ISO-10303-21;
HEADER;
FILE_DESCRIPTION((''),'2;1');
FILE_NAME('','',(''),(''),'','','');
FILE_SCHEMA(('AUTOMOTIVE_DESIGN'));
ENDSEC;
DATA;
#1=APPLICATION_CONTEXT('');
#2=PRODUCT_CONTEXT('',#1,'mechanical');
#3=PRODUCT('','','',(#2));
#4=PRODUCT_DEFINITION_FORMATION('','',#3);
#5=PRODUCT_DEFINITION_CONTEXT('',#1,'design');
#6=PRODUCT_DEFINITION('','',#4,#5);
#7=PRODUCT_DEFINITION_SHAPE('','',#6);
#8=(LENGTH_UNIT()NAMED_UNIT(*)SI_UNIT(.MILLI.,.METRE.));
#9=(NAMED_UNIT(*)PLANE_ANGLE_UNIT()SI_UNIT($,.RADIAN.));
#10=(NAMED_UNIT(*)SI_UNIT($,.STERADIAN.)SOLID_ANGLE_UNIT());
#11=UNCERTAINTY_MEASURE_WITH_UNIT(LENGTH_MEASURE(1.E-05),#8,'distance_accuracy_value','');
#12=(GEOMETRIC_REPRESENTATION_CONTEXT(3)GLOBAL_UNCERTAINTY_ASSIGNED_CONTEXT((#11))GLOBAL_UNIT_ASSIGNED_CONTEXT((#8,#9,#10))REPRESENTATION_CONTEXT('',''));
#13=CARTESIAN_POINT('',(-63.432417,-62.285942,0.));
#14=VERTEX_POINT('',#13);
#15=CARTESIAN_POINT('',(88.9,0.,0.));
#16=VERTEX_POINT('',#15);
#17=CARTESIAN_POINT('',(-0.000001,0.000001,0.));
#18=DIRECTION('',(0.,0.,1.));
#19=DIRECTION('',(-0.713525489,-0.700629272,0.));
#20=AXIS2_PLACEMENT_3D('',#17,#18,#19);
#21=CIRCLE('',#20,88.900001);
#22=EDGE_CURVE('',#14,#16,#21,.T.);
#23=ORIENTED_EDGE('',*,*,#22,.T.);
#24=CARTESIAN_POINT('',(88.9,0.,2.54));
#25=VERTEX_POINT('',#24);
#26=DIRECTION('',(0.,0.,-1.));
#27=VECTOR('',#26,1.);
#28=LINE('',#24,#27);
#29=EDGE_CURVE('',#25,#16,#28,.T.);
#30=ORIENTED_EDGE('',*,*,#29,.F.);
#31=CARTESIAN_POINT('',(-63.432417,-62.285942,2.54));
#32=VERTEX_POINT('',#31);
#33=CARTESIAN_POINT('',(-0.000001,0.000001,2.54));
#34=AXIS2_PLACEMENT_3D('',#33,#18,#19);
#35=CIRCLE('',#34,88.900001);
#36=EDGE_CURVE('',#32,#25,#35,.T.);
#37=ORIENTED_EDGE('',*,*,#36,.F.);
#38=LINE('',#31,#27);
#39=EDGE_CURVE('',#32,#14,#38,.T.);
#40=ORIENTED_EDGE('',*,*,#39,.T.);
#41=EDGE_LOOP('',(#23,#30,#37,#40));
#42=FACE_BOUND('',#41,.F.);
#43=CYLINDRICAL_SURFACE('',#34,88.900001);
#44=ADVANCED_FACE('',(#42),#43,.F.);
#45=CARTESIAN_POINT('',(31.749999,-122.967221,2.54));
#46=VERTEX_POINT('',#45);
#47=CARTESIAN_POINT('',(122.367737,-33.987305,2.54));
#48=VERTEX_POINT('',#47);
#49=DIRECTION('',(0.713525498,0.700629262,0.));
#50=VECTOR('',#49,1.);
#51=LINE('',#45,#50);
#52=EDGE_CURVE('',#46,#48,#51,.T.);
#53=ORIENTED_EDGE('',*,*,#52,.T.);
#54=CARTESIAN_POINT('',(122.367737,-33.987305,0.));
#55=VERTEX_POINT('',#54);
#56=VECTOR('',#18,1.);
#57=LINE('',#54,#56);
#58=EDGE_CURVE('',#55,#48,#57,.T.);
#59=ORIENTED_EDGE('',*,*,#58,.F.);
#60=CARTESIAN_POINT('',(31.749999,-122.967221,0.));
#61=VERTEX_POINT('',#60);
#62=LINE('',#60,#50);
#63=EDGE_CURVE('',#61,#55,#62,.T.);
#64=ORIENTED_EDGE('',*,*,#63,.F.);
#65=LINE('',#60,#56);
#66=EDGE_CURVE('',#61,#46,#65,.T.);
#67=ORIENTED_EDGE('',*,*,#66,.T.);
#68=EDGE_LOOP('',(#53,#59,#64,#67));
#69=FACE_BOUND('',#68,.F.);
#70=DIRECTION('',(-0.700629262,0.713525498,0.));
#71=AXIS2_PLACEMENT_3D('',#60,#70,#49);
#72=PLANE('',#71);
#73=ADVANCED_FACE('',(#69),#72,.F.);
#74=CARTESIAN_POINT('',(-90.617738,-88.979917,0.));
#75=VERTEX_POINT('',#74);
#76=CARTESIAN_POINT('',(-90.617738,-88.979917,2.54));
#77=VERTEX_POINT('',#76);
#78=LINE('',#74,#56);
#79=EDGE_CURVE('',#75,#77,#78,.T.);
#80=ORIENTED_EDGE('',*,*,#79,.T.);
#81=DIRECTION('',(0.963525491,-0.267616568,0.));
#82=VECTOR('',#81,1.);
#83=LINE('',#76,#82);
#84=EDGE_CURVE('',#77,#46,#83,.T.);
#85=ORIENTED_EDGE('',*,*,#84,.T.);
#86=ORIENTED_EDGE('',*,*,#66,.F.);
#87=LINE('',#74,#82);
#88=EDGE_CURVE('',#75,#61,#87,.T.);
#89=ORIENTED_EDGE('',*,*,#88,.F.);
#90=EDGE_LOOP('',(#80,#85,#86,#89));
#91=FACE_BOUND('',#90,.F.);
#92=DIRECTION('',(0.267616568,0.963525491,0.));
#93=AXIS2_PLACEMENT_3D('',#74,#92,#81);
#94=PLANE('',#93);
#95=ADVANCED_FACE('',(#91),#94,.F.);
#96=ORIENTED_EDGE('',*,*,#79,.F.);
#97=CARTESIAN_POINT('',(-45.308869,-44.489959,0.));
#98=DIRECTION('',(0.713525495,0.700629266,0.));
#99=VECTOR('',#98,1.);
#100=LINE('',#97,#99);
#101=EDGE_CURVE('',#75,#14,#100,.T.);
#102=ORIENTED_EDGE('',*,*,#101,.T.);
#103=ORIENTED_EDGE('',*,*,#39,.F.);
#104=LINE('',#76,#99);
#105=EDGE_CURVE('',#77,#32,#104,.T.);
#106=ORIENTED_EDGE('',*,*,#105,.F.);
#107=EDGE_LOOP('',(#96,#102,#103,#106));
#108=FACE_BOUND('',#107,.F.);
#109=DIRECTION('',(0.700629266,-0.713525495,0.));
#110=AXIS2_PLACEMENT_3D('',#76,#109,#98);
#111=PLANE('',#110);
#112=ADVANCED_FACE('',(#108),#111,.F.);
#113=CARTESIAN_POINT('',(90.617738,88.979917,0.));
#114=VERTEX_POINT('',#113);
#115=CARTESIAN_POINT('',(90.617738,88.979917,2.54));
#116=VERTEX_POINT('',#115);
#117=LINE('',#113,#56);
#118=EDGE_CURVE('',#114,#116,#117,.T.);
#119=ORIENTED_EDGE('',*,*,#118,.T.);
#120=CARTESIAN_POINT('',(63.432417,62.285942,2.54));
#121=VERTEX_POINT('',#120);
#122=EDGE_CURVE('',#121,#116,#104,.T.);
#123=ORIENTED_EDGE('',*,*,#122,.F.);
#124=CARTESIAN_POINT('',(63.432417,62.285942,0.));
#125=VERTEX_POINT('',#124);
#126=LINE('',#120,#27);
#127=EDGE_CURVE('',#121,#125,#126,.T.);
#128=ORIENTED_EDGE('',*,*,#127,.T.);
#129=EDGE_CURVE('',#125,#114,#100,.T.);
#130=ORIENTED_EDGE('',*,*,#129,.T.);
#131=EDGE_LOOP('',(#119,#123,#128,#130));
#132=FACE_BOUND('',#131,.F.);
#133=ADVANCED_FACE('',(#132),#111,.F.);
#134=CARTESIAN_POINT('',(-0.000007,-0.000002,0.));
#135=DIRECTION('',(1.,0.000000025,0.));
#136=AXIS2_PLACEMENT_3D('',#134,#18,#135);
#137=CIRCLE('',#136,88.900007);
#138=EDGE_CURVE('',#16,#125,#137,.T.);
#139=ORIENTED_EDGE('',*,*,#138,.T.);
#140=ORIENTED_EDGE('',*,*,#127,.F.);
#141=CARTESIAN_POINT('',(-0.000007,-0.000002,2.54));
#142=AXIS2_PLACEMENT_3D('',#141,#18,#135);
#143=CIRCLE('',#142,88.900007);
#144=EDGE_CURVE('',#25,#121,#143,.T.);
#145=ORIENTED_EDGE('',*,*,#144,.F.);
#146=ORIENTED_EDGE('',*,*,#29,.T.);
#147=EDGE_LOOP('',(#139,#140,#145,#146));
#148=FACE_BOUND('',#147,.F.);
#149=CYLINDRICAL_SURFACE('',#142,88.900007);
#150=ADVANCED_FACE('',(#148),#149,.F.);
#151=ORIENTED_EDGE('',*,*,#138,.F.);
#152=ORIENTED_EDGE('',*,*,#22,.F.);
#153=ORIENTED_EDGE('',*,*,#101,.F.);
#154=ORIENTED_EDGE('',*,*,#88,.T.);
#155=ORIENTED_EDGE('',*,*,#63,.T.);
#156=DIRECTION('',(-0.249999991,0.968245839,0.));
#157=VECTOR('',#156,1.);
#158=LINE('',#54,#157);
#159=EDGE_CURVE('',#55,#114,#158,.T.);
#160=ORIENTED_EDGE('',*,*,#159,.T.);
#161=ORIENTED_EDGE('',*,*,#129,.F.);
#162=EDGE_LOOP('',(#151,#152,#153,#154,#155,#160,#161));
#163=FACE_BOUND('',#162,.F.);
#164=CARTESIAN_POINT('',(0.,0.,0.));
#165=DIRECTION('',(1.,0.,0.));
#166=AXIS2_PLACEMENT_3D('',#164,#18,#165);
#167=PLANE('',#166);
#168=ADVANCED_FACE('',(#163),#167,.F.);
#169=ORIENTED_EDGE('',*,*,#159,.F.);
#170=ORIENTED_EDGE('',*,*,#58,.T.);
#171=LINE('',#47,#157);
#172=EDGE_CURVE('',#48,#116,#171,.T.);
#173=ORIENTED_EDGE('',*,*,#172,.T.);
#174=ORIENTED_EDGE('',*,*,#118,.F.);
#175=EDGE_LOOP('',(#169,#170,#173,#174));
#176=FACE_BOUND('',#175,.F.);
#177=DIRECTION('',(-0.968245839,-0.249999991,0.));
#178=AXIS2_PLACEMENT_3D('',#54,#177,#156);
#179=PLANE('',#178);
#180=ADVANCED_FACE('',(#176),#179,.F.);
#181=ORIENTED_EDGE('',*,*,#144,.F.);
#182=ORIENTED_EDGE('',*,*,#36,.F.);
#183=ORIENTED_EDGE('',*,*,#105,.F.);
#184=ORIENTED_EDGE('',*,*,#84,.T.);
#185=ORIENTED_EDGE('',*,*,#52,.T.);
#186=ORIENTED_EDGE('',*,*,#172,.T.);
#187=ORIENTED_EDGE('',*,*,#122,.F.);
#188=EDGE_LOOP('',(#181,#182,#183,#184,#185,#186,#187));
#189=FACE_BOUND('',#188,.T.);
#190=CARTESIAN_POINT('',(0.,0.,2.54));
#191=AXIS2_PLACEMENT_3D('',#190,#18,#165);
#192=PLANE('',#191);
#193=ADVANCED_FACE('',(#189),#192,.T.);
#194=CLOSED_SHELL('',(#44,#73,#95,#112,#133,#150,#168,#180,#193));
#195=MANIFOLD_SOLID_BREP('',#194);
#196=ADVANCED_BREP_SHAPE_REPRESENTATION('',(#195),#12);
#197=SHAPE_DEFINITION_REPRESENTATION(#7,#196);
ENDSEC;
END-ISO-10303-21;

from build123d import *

# Parameters (mm, degrees)
F1_DEPTH = 2.54
F3_DEPTH = 25.4
F5_DEPTH = 25.4


with BuildPart() as f1:
    # F0 (on Top) → F1 (new body)
    with BuildSketch(Plane.XY):
        Polygon((31.749999, -122.967221), (122.367737, -33.987305), (90.617738, 88.979917), (-31.749999, 122.967221), (-122.367737, 33.987305), (-90.617738, -88.979917), align=None)
    extrude(amount=F1_DEPTH)

    # F2 (on face) → F3 (cut)
    with BuildSketch(Plane.XY.offset(2.54)):
        Polygon((-90.617738, -88.979917), (90.617738, 88.979917), (-31.749999, 122.967221), (-122.367737, 33.987305), align=None)
    extrude(amount=-F3_DEPTH, mode=Mode.SUBTRACT)

    # F4 (on face) → F5 (cut)
    with BuildSketch(Plane.XY.offset(2.54)):
        with BuildLine():
            ThreePointArc((-63.432417, -62.285942), (33.645714, -82.287155), (88.9, 0))
            ThreePointArc((88.9, 0), (82.287155, 33.645714), (63.432417, 62.285942))
            Line((63.432417, 62.285942), (-63.432417, -62.285942))
        make_face()
    extrude(amount=-F5_DEPTH, mode=Mode.SUBTRACT)


solid = f1.part
